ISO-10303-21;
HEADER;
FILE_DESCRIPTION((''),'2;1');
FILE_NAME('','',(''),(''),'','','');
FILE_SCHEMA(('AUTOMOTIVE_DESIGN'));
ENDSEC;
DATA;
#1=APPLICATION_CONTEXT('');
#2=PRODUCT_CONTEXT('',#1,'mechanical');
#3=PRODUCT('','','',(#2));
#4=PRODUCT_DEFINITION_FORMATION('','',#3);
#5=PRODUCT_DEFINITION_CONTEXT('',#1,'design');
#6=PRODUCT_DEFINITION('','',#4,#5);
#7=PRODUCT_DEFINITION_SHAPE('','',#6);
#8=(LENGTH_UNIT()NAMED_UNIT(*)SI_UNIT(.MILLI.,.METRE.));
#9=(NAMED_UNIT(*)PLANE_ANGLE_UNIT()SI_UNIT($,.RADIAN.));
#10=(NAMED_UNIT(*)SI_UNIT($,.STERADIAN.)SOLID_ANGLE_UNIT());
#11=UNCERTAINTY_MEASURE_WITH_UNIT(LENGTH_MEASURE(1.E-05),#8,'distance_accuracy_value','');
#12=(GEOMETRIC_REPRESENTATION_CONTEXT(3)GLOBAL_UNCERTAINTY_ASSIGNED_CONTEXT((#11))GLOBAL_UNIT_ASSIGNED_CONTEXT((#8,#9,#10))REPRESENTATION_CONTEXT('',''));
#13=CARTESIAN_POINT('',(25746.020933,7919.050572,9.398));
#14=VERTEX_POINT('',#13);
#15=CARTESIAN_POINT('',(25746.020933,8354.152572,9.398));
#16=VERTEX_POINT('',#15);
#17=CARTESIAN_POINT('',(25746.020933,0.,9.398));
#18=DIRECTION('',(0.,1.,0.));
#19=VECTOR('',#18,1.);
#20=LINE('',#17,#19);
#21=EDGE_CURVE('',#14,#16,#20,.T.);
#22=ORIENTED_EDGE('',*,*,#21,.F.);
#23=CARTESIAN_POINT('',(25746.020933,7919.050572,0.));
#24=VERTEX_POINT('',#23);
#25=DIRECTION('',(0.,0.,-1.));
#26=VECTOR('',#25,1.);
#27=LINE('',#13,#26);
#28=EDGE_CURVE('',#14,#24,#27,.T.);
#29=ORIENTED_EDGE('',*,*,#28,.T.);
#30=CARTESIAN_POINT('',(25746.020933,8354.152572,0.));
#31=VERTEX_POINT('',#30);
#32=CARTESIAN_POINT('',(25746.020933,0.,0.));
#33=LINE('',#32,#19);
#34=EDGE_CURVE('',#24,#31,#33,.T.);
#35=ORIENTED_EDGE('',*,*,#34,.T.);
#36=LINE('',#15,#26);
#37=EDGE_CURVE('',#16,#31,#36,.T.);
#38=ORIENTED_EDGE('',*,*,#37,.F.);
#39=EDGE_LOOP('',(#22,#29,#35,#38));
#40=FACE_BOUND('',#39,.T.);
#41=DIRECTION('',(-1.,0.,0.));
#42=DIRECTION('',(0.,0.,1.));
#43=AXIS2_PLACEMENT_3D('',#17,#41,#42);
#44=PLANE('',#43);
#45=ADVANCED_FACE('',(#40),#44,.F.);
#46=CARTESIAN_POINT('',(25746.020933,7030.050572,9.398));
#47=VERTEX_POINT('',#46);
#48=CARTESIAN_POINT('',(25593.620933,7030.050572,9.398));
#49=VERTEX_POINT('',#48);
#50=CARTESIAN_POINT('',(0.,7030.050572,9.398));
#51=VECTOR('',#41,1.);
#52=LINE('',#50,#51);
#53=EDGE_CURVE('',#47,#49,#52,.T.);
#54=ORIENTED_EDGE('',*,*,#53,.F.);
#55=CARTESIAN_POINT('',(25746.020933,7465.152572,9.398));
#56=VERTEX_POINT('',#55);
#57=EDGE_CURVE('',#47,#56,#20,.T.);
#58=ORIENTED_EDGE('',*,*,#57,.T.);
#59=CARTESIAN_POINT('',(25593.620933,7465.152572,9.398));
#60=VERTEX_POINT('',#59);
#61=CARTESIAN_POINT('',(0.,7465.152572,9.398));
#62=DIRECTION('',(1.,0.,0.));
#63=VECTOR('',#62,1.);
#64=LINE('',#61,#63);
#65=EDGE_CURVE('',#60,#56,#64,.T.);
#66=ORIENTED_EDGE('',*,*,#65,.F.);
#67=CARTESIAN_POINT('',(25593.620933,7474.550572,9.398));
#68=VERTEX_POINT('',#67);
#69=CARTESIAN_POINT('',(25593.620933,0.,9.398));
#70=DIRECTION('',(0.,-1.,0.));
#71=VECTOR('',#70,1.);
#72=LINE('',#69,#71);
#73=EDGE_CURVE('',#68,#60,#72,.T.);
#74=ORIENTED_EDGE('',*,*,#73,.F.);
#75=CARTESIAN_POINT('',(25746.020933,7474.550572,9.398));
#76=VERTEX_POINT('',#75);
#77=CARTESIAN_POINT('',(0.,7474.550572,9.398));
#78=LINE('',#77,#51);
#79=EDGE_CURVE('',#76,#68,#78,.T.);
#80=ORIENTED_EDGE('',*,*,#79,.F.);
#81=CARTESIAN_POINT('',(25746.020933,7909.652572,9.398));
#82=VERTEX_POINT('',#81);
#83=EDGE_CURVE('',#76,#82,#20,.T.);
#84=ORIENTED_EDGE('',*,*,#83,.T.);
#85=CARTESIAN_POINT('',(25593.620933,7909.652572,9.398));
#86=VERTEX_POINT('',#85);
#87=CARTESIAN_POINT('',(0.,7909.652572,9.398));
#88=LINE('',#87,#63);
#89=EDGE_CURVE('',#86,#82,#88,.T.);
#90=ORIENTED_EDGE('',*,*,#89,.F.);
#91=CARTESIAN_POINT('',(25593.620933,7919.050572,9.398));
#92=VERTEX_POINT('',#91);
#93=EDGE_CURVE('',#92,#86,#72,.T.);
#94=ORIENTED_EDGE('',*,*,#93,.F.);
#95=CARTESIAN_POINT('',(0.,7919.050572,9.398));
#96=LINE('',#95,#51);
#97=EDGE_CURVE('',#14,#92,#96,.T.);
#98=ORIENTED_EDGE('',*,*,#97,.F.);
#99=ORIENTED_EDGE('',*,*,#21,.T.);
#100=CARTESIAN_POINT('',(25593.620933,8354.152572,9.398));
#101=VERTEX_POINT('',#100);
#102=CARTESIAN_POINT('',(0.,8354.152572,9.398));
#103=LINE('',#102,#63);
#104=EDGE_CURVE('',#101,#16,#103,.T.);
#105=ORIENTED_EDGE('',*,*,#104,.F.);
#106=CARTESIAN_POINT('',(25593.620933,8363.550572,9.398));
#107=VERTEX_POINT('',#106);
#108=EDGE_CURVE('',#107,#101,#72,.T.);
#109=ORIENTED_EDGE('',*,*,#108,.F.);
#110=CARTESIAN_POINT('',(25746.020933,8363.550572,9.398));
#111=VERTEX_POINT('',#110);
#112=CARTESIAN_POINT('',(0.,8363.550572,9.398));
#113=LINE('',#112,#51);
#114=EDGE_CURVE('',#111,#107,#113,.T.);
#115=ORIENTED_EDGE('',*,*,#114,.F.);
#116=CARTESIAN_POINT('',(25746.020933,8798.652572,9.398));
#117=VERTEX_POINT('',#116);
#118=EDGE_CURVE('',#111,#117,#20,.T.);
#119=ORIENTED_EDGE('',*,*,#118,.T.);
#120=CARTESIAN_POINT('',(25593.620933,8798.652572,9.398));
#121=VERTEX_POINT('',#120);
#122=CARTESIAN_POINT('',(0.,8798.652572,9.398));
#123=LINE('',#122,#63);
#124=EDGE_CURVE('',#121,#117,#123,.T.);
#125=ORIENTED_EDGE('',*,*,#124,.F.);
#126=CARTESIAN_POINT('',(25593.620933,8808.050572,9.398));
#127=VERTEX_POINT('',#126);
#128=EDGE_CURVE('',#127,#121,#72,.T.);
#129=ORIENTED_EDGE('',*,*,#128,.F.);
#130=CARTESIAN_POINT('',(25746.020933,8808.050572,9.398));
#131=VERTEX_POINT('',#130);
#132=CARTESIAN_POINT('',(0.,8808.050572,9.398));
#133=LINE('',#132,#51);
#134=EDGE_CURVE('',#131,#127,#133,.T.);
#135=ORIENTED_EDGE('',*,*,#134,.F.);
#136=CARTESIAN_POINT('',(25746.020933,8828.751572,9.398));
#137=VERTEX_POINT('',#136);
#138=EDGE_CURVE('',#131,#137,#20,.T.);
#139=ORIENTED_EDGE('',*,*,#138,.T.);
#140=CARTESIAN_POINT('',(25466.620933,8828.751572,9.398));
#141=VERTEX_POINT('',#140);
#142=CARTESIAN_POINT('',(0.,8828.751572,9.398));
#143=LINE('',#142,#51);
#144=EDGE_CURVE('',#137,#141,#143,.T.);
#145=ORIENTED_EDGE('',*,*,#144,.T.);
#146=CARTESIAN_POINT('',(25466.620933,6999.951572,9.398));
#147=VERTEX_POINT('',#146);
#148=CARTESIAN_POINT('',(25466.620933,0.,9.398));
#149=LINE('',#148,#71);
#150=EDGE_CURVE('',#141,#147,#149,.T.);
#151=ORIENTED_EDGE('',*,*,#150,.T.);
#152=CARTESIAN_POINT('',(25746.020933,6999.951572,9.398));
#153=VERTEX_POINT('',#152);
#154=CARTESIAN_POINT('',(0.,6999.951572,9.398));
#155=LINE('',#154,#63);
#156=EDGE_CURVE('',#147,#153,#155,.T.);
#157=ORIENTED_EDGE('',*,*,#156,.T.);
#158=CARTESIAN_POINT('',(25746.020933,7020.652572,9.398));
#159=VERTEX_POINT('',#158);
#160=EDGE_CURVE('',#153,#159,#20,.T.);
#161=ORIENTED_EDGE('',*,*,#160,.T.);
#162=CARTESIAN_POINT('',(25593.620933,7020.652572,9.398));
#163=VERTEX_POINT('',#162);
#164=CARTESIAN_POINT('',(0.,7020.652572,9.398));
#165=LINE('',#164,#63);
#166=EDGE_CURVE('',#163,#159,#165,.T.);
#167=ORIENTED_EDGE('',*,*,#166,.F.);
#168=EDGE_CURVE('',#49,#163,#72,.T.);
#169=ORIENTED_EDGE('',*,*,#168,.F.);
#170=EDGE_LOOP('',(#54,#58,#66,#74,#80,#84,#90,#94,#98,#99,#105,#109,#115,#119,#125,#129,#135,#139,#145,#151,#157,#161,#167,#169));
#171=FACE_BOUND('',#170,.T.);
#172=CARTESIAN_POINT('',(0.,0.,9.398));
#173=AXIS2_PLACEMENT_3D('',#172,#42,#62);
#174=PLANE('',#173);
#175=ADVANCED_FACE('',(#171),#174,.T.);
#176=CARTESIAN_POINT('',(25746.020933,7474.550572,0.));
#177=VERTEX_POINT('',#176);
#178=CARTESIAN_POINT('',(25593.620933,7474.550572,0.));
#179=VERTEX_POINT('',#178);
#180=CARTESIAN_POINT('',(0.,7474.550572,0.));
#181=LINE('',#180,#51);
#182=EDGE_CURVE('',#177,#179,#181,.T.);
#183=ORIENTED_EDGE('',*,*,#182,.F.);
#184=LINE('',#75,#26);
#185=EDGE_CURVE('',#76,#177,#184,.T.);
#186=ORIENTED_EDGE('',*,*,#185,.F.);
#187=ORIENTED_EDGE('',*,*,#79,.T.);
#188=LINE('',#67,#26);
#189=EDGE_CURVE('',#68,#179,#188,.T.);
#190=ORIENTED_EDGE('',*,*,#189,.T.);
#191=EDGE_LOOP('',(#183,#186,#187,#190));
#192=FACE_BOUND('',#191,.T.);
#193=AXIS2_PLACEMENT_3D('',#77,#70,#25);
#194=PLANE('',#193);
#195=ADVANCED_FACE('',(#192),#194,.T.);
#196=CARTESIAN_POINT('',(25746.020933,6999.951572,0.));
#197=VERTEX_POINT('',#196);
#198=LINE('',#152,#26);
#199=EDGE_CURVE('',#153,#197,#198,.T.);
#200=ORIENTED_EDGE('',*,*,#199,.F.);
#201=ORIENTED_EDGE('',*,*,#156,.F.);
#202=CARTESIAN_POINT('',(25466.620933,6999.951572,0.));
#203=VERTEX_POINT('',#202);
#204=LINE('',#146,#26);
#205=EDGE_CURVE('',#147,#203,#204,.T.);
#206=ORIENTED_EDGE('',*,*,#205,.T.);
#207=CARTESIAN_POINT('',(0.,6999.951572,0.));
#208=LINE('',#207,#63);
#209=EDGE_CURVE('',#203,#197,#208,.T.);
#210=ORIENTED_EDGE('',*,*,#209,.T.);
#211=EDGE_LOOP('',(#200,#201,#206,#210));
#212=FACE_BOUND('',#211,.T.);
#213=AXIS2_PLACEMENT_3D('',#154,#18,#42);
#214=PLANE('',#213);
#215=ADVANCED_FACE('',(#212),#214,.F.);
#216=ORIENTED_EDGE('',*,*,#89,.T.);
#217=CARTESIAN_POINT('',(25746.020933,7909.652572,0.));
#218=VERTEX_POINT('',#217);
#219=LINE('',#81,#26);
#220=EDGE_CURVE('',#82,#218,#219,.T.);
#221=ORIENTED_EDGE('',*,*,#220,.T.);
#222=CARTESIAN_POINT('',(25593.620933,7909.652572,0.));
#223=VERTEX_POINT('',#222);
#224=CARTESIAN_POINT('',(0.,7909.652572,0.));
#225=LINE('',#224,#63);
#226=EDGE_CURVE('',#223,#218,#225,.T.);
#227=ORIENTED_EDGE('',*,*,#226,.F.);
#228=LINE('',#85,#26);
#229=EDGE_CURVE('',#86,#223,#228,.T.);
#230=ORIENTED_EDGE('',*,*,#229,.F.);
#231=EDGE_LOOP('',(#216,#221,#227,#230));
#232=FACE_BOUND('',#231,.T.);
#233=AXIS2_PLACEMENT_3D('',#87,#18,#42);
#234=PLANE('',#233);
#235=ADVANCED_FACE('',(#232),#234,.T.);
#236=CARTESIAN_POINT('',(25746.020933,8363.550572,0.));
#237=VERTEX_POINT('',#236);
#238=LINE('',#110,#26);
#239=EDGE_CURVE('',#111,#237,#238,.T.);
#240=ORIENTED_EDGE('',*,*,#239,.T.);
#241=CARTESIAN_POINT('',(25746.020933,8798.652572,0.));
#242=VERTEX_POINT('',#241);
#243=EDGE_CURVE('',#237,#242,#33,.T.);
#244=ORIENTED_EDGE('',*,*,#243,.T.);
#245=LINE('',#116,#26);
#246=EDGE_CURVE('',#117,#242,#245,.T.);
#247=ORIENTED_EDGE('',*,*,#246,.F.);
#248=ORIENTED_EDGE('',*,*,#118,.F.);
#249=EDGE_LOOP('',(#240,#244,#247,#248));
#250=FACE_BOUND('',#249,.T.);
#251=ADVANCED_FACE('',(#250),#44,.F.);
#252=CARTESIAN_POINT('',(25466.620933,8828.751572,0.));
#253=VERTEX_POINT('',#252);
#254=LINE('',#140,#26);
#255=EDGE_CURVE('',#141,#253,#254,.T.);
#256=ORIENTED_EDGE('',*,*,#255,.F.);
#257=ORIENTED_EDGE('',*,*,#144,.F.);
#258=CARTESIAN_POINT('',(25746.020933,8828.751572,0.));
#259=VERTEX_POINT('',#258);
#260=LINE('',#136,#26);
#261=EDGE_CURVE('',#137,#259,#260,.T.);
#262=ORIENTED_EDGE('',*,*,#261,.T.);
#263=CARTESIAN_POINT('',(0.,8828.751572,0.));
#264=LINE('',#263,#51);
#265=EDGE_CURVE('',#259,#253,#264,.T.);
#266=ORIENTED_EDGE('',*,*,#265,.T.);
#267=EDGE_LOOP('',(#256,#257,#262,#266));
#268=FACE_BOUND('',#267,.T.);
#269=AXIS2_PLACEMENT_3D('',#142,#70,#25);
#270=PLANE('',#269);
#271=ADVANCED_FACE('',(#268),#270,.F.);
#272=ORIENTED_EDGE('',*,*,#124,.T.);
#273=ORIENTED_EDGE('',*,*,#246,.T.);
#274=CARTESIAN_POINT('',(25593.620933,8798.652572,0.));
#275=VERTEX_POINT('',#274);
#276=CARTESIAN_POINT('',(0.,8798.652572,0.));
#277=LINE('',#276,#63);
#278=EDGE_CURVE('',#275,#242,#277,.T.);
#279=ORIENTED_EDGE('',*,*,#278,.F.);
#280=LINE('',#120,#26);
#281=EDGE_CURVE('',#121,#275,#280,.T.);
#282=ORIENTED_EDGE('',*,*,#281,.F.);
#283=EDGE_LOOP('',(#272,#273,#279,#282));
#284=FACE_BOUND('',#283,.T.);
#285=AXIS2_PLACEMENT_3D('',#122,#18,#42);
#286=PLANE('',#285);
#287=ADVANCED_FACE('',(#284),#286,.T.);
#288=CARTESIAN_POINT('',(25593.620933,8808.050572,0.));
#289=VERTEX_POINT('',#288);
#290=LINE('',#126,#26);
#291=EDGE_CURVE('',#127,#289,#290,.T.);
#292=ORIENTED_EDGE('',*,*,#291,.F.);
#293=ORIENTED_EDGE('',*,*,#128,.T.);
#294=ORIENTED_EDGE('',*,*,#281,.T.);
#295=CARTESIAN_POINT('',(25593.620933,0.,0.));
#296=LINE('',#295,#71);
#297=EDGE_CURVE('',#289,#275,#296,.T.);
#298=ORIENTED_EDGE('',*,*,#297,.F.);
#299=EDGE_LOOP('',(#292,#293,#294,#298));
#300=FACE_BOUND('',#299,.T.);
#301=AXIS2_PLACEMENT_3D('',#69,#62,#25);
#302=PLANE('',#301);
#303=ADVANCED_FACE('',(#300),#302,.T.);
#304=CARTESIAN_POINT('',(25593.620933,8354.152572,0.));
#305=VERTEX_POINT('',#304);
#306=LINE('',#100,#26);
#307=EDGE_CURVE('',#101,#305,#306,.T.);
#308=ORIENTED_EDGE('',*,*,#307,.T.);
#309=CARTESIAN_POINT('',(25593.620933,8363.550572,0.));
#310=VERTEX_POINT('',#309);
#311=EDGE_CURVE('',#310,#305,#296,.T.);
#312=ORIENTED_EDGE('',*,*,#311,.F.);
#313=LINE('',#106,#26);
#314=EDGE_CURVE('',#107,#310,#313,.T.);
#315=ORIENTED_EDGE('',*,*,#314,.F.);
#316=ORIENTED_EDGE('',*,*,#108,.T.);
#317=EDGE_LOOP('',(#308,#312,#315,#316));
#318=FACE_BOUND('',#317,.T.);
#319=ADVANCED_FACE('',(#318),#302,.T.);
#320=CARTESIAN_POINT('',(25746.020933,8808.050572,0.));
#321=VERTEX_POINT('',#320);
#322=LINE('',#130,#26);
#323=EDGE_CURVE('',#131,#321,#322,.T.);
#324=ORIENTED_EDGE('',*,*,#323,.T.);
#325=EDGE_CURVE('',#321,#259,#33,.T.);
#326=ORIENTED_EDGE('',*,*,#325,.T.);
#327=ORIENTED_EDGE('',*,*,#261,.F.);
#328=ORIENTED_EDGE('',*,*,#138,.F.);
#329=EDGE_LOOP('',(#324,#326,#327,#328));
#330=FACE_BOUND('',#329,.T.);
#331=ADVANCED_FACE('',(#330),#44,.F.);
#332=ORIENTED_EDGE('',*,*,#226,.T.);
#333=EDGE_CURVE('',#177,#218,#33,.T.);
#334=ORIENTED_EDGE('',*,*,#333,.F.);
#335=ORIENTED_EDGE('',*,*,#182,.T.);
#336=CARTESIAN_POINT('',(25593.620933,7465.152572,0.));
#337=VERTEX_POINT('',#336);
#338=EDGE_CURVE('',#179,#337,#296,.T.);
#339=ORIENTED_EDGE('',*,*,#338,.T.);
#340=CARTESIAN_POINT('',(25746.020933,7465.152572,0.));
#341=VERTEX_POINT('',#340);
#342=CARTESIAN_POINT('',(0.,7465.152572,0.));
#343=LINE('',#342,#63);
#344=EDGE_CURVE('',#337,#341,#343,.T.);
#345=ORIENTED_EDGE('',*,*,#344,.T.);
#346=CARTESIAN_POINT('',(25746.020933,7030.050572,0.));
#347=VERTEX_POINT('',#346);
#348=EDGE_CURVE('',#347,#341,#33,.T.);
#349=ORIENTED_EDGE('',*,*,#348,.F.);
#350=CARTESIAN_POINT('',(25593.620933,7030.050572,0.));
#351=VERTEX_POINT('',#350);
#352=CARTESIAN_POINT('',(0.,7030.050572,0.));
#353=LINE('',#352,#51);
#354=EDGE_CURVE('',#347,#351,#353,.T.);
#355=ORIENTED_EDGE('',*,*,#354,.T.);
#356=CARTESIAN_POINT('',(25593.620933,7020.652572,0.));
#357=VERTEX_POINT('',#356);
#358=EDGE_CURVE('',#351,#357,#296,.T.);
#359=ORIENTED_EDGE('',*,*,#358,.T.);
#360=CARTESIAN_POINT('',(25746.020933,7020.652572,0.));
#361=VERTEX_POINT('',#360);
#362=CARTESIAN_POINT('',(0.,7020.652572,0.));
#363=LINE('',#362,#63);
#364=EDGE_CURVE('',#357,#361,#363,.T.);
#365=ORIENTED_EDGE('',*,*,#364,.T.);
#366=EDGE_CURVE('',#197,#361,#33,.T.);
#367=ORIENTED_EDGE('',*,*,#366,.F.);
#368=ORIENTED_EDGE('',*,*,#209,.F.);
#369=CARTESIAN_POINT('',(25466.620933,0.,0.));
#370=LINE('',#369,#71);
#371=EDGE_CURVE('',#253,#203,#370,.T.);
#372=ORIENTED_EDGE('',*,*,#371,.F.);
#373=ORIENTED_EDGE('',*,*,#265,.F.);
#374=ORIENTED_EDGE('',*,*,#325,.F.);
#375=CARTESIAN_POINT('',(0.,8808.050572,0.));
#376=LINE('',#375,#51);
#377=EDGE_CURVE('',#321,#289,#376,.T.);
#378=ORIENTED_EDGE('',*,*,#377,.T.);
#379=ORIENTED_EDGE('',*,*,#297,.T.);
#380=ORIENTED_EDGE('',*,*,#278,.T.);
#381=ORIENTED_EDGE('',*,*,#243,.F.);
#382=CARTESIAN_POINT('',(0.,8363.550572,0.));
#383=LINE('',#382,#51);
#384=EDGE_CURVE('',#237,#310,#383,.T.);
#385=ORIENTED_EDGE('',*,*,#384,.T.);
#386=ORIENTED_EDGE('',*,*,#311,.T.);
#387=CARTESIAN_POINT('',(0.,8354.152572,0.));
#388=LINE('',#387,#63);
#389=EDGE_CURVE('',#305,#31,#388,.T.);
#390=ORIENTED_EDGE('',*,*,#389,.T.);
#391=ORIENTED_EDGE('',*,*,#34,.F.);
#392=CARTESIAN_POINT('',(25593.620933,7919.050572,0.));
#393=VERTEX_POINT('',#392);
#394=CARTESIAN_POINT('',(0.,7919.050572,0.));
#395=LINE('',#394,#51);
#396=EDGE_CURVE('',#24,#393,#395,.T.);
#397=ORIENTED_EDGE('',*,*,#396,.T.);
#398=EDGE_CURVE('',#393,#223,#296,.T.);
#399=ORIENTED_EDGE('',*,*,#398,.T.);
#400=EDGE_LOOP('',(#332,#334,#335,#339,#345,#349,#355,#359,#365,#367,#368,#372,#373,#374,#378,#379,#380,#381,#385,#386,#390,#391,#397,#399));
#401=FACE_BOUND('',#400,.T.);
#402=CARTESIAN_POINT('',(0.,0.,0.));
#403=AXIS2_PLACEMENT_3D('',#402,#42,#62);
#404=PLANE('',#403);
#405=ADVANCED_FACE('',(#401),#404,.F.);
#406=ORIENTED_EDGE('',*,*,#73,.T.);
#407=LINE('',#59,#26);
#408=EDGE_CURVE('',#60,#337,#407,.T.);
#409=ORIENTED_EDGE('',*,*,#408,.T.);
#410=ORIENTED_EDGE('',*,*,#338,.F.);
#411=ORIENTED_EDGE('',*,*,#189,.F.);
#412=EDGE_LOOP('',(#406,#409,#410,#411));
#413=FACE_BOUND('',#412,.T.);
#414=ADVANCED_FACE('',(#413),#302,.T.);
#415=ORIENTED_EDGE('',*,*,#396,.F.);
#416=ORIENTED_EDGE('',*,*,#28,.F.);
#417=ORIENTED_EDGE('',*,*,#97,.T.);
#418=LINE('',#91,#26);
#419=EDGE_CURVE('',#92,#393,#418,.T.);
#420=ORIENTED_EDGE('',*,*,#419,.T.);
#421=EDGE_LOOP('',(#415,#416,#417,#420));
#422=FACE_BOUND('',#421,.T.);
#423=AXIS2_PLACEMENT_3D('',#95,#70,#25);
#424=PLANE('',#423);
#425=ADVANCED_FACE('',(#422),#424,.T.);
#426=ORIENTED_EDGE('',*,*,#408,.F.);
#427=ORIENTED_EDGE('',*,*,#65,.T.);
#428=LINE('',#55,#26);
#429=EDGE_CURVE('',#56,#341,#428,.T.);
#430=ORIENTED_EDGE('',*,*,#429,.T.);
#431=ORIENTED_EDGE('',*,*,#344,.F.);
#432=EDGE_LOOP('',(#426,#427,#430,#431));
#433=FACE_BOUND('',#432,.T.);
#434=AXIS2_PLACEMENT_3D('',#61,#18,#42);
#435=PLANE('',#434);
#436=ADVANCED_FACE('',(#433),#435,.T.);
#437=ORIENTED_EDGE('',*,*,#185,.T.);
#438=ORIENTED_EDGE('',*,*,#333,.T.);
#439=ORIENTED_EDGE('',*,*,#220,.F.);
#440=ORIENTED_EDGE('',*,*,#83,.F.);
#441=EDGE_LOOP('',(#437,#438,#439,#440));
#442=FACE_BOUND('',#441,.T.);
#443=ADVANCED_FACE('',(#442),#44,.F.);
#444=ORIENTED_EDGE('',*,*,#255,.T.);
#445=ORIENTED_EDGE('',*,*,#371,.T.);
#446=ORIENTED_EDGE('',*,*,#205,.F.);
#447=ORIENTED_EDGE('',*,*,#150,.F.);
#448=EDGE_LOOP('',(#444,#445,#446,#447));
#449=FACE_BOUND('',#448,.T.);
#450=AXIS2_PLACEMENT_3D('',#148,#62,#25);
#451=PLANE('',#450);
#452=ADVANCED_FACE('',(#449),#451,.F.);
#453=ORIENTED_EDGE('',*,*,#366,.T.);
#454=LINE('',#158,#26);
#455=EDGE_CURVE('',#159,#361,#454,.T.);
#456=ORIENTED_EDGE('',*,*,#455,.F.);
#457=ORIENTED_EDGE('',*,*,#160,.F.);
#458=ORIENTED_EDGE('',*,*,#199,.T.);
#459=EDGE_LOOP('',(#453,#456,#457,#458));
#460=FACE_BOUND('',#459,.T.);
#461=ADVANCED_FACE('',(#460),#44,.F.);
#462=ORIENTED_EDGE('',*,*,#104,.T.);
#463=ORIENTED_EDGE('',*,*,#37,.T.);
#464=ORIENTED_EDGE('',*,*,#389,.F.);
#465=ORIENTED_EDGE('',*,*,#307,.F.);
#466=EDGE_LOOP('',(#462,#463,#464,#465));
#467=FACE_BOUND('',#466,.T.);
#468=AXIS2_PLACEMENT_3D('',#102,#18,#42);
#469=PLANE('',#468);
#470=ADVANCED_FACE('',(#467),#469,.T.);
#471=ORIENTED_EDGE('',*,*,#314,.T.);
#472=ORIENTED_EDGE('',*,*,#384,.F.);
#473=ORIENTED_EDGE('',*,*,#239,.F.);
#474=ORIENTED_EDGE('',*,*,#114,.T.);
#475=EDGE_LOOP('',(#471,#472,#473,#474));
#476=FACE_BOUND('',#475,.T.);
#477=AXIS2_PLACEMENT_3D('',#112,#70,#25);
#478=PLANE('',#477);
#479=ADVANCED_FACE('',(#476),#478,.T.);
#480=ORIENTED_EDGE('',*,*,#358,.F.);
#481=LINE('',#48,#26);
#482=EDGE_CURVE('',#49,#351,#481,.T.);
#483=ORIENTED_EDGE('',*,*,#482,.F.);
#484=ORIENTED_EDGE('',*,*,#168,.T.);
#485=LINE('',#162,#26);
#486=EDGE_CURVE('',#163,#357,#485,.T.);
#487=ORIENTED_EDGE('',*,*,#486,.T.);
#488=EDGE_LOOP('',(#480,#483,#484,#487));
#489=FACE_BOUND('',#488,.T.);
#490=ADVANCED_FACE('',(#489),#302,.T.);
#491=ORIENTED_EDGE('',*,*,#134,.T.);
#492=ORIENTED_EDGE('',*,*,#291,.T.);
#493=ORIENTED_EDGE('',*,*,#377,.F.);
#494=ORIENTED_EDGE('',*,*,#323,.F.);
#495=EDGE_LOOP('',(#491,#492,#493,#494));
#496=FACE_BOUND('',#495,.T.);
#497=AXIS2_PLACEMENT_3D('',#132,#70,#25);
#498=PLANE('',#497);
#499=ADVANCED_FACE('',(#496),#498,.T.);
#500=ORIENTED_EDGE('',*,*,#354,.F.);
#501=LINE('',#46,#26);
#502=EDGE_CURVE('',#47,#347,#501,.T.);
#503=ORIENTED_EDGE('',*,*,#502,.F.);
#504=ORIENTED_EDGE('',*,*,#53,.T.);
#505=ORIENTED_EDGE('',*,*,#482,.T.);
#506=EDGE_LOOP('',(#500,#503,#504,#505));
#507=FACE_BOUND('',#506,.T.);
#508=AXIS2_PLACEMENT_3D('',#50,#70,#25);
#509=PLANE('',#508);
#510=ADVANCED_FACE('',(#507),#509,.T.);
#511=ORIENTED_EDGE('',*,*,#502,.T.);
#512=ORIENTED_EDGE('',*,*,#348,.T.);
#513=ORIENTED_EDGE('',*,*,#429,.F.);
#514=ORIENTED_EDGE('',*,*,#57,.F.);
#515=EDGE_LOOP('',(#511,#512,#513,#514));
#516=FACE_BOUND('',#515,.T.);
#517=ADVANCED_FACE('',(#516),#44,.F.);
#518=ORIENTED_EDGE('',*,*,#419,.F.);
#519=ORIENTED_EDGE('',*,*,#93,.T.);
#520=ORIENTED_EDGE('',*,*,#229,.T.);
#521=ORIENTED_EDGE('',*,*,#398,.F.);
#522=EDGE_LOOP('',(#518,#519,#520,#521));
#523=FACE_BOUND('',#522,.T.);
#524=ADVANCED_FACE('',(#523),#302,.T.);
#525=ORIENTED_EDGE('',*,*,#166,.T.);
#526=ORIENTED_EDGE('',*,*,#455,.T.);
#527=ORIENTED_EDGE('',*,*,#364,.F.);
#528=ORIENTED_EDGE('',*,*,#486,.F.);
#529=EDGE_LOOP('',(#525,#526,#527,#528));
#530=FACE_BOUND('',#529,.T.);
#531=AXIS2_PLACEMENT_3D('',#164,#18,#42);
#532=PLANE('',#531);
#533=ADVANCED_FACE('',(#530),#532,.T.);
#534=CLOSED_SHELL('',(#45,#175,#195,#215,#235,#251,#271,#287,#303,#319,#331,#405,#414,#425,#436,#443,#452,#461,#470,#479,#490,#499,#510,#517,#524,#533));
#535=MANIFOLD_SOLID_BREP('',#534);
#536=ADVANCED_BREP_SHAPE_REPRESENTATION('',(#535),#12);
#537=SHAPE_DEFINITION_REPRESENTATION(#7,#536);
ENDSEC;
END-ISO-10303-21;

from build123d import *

# Parameters (mm, degrees)
BOSS_EXTRUDE1_DEPTH = 9.398


with BuildPart() as part:
    # Sketch1 → Boss-Extrude1 (new body)
    with BuildSketch(Plane.XY):
        Polygon((25466.620933217, 8828.751571885), (25466.620933217, 6999.951571885), (25746.020933217, 6999.951571885), (25746.020933217, 7020.652571885), (25593.620933217, 7020.652571885), (25593.620933217, 7030.050571885), (25746.020933217, 7030.050571885), (25746.020933217, 7465.152571885), (25593.620933217, 7465.152571885), (25593.620933217, 7474.550571885), (25746.020933217, 7474.550571885), (25746.020933217, 7909.652571885), (25593.620933217, 7909.652571885), (25593.620933217, 7919.050571885), (25746.020933217, 7919.050571885), (25746.020933217, 8354.152571885), (25593.620933217, 8354.152571885), (25593.620933217, 8363.550571885), (25746.020933217, 8363.550571885), (25746.020933217, 8798.652571885), (25593.620933217, 8798.652571885), (25593.620933217, 8808.050571885), (25746.020933217, 8808.050571885), (25746.020933217, 8828.751571885), align=None)
    extrude(amount=BOSS_EXTRUDE1_DEPTH)


solid = part.part
